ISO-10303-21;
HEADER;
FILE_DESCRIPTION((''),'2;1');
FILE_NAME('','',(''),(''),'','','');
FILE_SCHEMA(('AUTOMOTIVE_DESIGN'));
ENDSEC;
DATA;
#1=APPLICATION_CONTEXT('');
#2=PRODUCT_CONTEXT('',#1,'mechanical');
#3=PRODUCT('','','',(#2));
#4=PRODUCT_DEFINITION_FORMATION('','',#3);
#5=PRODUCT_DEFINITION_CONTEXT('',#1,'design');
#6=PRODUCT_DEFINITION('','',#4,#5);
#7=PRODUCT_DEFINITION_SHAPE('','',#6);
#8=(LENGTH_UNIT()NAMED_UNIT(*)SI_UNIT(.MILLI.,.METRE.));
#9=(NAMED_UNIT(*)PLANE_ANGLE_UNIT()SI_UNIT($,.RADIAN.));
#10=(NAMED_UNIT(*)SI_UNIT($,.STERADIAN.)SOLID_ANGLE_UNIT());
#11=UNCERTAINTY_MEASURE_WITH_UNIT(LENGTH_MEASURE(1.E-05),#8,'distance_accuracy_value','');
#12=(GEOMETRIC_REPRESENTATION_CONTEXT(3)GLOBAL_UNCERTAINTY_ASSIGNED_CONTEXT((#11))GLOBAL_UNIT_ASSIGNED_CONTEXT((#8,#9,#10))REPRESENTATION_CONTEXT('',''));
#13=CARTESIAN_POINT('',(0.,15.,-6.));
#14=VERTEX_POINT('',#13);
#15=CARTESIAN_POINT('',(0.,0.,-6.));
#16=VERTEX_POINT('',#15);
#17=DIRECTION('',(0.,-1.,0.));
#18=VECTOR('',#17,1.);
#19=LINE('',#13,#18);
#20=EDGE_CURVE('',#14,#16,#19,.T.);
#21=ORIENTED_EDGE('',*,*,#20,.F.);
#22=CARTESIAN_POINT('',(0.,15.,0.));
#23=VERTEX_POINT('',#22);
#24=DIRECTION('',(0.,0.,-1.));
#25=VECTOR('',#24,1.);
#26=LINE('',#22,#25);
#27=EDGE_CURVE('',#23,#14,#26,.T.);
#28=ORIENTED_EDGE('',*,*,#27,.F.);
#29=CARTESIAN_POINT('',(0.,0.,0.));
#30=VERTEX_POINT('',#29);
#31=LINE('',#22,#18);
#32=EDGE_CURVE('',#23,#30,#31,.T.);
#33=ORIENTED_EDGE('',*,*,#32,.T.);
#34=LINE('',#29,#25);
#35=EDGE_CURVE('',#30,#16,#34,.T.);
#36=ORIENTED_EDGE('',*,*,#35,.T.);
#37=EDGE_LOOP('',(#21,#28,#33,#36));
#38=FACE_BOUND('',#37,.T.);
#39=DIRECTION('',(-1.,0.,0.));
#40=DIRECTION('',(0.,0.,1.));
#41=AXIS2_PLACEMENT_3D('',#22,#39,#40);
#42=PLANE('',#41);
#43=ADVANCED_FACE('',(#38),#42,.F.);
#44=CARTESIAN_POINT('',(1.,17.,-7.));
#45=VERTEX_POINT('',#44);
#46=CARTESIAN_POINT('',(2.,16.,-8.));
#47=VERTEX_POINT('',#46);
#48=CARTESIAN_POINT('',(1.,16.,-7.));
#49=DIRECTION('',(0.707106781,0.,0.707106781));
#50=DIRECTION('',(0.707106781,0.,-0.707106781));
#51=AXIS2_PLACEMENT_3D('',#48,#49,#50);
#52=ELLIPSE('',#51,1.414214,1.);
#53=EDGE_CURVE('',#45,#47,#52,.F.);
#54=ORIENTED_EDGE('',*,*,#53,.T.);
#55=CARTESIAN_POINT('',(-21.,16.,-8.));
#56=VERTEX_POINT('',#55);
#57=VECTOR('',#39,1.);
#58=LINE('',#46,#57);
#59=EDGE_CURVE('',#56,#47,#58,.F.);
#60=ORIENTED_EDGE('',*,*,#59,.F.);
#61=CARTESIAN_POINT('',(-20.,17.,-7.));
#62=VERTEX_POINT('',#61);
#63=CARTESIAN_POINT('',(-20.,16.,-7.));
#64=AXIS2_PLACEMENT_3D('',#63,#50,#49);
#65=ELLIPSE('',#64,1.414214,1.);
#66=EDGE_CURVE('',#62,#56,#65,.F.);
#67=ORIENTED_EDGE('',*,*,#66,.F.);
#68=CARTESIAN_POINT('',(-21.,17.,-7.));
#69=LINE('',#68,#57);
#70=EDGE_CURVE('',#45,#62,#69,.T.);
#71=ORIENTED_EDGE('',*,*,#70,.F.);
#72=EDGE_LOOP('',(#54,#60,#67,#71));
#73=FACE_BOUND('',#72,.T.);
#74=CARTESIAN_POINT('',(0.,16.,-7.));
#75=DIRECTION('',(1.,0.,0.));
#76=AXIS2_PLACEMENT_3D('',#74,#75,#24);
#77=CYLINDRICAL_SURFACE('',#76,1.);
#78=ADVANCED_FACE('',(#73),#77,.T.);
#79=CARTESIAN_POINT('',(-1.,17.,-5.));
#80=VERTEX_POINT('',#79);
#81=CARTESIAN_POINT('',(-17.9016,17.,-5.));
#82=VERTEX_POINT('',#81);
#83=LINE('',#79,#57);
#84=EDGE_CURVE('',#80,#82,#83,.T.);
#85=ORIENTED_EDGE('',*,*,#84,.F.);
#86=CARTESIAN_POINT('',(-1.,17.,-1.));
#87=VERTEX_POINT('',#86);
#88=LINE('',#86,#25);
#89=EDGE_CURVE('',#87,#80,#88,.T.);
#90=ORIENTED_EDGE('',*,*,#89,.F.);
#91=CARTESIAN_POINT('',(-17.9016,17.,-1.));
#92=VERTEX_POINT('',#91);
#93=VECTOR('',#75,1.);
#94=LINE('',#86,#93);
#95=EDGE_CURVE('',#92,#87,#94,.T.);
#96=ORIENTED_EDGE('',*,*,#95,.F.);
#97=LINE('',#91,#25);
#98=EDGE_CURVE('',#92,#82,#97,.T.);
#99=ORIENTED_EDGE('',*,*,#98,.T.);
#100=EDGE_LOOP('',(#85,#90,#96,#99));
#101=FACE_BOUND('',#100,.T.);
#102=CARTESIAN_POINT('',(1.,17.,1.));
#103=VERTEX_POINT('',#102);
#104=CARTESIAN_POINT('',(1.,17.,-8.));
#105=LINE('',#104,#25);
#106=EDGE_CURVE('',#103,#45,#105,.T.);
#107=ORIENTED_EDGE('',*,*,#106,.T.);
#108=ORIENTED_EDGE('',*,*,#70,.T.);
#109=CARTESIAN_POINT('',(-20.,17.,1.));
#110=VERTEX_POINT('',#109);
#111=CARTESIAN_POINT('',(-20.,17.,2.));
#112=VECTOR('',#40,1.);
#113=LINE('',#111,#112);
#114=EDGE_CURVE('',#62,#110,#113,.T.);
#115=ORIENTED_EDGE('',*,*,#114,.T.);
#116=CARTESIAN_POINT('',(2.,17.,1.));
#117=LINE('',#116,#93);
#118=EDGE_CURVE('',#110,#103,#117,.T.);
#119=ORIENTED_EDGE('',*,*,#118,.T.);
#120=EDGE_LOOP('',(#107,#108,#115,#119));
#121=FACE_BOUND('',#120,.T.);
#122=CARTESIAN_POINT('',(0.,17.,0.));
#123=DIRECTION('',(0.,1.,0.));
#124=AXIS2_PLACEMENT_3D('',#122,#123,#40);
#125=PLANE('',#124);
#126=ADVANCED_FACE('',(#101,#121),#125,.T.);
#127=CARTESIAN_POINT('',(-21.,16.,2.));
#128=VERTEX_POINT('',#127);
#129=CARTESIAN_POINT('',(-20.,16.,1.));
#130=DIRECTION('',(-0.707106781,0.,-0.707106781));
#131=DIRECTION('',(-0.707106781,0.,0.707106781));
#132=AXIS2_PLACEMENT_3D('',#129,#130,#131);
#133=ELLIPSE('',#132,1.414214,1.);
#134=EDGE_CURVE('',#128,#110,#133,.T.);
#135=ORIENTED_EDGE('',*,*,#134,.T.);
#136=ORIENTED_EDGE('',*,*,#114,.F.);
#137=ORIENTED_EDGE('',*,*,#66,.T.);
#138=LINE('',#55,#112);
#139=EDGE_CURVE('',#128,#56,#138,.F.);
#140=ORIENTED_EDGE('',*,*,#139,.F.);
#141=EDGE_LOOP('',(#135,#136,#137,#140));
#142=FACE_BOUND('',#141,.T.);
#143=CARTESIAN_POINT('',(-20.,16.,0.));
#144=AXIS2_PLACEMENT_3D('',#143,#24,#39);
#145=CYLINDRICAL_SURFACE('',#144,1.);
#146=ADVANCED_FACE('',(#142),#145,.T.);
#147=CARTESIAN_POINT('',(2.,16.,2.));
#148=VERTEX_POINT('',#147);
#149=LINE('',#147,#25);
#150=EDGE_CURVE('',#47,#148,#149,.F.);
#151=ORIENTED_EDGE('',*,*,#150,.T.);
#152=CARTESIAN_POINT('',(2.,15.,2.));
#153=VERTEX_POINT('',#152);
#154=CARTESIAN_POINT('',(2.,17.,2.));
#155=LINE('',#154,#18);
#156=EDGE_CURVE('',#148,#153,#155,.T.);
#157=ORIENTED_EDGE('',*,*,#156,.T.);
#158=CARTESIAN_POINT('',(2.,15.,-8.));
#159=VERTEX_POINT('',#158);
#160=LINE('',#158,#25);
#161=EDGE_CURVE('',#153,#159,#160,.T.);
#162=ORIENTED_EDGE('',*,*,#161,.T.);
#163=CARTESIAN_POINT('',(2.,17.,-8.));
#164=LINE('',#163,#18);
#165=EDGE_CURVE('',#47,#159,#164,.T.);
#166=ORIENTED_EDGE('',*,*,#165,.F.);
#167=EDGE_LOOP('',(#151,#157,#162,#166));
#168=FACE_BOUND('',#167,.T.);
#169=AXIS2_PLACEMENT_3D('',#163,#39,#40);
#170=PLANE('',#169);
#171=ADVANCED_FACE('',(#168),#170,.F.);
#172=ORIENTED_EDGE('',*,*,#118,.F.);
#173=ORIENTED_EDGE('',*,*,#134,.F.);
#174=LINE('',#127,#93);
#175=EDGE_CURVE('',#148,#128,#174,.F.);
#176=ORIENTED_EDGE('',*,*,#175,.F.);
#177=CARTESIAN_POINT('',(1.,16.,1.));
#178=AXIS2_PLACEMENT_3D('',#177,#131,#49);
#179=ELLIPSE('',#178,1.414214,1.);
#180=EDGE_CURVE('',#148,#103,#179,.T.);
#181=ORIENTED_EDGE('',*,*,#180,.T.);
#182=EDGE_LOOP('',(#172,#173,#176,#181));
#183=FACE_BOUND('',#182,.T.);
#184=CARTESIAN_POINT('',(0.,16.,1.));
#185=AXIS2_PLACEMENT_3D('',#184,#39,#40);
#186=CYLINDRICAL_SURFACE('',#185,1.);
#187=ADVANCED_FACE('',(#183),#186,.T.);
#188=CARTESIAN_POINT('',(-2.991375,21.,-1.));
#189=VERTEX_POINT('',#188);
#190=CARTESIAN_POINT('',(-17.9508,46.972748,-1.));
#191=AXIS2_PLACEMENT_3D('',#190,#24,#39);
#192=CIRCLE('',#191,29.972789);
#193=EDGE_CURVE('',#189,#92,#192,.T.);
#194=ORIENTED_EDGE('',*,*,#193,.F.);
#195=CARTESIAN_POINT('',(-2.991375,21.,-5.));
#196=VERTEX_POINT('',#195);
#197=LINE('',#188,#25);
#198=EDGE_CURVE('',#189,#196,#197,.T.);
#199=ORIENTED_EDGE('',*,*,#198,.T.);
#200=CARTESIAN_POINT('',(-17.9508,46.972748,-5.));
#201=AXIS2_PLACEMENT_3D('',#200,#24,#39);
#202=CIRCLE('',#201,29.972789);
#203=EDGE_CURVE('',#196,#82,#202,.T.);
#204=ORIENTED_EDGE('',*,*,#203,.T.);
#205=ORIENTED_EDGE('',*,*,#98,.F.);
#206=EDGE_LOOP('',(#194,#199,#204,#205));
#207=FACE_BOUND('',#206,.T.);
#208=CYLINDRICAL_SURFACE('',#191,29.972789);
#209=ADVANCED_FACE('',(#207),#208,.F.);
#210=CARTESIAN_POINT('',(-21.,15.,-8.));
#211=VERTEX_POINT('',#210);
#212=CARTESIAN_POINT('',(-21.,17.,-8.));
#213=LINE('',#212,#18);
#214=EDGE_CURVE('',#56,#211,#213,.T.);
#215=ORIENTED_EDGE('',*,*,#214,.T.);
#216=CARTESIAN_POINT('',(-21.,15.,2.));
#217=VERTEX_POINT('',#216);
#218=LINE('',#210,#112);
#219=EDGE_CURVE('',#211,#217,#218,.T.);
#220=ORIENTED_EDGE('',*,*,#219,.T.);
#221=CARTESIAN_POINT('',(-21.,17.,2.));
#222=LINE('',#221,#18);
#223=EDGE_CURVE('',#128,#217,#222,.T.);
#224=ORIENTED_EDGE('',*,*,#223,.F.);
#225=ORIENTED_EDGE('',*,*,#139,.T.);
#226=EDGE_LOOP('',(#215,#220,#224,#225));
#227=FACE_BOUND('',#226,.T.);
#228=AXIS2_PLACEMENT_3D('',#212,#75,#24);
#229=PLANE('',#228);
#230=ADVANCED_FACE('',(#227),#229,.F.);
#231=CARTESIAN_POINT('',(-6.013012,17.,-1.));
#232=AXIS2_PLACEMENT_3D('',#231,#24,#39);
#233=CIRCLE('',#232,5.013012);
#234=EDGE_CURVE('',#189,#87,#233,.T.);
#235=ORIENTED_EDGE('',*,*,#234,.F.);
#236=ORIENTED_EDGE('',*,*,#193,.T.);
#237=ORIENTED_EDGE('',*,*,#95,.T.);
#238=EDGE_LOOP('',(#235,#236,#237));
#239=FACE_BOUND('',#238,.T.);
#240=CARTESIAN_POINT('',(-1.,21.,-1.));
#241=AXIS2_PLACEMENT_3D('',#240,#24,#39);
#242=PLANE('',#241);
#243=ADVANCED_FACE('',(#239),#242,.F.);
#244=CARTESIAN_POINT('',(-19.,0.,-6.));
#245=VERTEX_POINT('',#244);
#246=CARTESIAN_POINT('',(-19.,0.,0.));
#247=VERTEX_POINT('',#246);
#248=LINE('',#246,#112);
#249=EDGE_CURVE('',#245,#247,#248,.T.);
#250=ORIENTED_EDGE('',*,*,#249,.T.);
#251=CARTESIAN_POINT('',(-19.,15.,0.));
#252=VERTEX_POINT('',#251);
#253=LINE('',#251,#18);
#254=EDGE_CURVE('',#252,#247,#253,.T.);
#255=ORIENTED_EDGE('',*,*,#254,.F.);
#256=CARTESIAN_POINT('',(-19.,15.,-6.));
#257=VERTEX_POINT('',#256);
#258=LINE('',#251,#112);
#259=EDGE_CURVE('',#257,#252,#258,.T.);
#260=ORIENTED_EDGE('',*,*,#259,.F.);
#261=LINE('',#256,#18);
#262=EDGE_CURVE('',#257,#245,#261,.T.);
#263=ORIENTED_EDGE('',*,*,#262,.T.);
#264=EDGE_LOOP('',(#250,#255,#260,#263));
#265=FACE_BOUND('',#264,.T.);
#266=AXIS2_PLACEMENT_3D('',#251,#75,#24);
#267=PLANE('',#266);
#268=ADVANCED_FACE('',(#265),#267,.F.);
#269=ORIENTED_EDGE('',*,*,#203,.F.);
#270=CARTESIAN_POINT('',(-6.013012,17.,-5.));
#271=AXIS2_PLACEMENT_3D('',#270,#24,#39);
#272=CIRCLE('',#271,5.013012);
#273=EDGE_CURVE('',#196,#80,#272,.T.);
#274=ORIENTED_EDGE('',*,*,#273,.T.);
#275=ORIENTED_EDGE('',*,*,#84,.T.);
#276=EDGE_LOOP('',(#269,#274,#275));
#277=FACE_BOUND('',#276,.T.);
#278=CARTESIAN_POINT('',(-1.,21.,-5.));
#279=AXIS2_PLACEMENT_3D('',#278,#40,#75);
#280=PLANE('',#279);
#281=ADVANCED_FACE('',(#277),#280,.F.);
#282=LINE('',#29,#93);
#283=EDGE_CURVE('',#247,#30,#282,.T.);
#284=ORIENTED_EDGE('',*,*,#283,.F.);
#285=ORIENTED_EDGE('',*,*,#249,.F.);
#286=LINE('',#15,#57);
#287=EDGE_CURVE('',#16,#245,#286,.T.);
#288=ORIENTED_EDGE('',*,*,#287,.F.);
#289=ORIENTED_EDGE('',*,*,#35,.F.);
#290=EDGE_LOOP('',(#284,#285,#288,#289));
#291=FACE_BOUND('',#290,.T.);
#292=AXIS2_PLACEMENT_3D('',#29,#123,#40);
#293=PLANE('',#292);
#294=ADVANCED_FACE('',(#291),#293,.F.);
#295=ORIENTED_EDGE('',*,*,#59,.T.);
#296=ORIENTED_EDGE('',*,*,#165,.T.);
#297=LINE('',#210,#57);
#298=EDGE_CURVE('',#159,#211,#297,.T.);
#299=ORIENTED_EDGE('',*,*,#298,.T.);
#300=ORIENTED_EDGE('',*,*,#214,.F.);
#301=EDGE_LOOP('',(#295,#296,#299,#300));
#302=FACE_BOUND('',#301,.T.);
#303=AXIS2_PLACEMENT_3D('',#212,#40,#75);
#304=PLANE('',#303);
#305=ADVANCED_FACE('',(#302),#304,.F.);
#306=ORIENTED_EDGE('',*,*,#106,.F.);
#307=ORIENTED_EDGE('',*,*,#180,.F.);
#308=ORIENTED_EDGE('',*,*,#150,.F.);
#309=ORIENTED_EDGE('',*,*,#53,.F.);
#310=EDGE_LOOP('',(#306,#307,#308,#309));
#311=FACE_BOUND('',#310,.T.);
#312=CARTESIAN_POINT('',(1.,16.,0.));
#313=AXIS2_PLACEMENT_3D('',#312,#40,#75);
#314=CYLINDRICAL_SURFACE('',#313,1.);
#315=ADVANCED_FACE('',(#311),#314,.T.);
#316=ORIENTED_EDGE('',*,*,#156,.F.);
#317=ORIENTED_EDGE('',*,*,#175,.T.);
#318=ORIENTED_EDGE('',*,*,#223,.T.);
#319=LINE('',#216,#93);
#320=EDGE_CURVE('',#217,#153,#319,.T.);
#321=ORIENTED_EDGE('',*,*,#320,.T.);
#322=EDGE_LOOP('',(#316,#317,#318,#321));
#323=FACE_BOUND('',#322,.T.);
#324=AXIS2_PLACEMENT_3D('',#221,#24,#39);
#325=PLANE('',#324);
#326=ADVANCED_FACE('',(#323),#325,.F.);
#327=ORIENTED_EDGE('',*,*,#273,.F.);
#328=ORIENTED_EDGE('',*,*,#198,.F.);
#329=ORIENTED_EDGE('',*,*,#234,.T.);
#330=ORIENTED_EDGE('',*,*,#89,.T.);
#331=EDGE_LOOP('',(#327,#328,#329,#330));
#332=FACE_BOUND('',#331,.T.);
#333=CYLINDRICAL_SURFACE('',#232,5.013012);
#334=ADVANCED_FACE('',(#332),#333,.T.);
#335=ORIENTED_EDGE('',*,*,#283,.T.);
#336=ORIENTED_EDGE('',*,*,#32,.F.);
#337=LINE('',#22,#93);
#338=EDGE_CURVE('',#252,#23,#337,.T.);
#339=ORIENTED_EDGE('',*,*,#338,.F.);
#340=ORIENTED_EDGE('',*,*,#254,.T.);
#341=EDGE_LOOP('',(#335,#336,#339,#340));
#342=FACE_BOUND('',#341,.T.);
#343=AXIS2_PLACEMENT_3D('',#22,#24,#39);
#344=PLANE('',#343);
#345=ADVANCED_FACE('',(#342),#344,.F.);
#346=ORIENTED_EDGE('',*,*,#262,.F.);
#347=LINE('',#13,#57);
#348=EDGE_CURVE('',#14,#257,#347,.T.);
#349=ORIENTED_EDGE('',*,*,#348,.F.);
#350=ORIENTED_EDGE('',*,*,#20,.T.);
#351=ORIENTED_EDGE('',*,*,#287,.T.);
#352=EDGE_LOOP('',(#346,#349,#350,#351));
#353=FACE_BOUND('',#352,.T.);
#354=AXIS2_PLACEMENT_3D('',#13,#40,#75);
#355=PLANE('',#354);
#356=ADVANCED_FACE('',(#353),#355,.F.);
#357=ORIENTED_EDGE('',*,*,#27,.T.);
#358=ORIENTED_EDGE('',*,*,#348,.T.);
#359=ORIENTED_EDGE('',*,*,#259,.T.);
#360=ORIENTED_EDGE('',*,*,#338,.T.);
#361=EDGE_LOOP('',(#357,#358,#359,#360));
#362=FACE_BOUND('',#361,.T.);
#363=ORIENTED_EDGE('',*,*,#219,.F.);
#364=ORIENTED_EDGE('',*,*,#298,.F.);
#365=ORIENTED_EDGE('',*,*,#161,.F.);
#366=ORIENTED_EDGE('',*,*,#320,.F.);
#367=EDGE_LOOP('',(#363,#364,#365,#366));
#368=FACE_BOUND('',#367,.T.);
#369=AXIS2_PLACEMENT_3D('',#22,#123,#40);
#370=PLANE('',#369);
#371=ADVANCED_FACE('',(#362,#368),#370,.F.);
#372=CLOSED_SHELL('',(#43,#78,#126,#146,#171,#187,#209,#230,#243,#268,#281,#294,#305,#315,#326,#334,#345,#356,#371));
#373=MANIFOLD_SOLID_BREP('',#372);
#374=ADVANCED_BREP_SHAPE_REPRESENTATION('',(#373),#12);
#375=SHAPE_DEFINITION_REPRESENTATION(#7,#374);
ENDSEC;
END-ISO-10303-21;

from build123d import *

# Parameters (mm, degrees)
SKETCH1_W           = 19
SKETCH1_H           = 6
BOSS_EXTRUDE1_DEPTH = 15
SKETCH2_W           = 23
SKETCH2_H           = 10
BOSS_EXTRUDE2_DEPTH = 2
SKETCH3_W           = 17
SKETCH3_H           = 4
BOSS_EXTRUDE3_DEPTH = 4
CUT_EXTRUDE1_DEPTH  = 4
FILLET1_R           = 1


with BuildPart() as part:
    # Sketch1 → Boss-Extrude1 (new body)
    with BuildSketch(Plane(origin=(0, 0, 0), x_dir=(1, 0, 0), z_dir=(0, 1, 0))):
        with Locations((-9.5, 3)):
            Rectangle(SKETCH1_W, SKETCH1_H)
    extrude(amount=BOSS_EXTRUDE1_DEPTH)

    # Sketch2 → Boss-Extrude2 (add)
    with BuildSketch(Plane(origin=(0, 15, 0), x_dir=(1, 0, 0), z_dir=(0, 1, 0))):
        with Locations((-9.5, 3)):
            Rectangle(SKETCH2_W, SKETCH2_H)
    extrude(amount=BOSS_EXTRUDE2_DEPTH)

    # Sketch3 → Boss-Extrude3 (add)
    with BuildSketch(Plane(origin=(0, 17, 0), x_dir=(1, 0, 0), z_dir=(0, 1, 0))):
        with Locations((-9.5, 3)):
            Rectangle(SKETCH3_W, SKETCH3_H)
    extrude(amount=BOSS_EXTRUDE3_DEPTH)

    # Sketch4 → Cut-Extrude1 (cut)
    with BuildSketch(Plane(origin=(0, 0, -5), x_dir=(-1, 0, 0), z_dir=(0, 0, -1))):
        with BuildLine():
            Line((1, 21), (1, 17))
            ThreePointArc((1, 17), (1.525373828, 19.234142662), (2.991374837, 21))
            Line((2.991374837, 21), (1, 21))
        make_face()
        with BuildLine():
            ThreePointArc((2.991374837, 21), (10.232075784, 18.010887947), (18, 17))
            Line((18, 17), (18, 21))
            Line((18, 21), (2.991374837, 21))
        make_face()
    extrude(amount=-CUT_EXTRUDE1_DEPTH, mode=Mode.SUBTRACT)

    # Fillet1
    fillet1_edges = [part.edges().sort_by_distance(p)[0] for p in [
        (-21, 17, -3),
        (-9.5, 17, 2),
        (2, 17, -3),
        (-9.5, 17, -8),
    ]]
    fillet(fillet1_edges, radius=FILLET1_R)


solid = part.part
